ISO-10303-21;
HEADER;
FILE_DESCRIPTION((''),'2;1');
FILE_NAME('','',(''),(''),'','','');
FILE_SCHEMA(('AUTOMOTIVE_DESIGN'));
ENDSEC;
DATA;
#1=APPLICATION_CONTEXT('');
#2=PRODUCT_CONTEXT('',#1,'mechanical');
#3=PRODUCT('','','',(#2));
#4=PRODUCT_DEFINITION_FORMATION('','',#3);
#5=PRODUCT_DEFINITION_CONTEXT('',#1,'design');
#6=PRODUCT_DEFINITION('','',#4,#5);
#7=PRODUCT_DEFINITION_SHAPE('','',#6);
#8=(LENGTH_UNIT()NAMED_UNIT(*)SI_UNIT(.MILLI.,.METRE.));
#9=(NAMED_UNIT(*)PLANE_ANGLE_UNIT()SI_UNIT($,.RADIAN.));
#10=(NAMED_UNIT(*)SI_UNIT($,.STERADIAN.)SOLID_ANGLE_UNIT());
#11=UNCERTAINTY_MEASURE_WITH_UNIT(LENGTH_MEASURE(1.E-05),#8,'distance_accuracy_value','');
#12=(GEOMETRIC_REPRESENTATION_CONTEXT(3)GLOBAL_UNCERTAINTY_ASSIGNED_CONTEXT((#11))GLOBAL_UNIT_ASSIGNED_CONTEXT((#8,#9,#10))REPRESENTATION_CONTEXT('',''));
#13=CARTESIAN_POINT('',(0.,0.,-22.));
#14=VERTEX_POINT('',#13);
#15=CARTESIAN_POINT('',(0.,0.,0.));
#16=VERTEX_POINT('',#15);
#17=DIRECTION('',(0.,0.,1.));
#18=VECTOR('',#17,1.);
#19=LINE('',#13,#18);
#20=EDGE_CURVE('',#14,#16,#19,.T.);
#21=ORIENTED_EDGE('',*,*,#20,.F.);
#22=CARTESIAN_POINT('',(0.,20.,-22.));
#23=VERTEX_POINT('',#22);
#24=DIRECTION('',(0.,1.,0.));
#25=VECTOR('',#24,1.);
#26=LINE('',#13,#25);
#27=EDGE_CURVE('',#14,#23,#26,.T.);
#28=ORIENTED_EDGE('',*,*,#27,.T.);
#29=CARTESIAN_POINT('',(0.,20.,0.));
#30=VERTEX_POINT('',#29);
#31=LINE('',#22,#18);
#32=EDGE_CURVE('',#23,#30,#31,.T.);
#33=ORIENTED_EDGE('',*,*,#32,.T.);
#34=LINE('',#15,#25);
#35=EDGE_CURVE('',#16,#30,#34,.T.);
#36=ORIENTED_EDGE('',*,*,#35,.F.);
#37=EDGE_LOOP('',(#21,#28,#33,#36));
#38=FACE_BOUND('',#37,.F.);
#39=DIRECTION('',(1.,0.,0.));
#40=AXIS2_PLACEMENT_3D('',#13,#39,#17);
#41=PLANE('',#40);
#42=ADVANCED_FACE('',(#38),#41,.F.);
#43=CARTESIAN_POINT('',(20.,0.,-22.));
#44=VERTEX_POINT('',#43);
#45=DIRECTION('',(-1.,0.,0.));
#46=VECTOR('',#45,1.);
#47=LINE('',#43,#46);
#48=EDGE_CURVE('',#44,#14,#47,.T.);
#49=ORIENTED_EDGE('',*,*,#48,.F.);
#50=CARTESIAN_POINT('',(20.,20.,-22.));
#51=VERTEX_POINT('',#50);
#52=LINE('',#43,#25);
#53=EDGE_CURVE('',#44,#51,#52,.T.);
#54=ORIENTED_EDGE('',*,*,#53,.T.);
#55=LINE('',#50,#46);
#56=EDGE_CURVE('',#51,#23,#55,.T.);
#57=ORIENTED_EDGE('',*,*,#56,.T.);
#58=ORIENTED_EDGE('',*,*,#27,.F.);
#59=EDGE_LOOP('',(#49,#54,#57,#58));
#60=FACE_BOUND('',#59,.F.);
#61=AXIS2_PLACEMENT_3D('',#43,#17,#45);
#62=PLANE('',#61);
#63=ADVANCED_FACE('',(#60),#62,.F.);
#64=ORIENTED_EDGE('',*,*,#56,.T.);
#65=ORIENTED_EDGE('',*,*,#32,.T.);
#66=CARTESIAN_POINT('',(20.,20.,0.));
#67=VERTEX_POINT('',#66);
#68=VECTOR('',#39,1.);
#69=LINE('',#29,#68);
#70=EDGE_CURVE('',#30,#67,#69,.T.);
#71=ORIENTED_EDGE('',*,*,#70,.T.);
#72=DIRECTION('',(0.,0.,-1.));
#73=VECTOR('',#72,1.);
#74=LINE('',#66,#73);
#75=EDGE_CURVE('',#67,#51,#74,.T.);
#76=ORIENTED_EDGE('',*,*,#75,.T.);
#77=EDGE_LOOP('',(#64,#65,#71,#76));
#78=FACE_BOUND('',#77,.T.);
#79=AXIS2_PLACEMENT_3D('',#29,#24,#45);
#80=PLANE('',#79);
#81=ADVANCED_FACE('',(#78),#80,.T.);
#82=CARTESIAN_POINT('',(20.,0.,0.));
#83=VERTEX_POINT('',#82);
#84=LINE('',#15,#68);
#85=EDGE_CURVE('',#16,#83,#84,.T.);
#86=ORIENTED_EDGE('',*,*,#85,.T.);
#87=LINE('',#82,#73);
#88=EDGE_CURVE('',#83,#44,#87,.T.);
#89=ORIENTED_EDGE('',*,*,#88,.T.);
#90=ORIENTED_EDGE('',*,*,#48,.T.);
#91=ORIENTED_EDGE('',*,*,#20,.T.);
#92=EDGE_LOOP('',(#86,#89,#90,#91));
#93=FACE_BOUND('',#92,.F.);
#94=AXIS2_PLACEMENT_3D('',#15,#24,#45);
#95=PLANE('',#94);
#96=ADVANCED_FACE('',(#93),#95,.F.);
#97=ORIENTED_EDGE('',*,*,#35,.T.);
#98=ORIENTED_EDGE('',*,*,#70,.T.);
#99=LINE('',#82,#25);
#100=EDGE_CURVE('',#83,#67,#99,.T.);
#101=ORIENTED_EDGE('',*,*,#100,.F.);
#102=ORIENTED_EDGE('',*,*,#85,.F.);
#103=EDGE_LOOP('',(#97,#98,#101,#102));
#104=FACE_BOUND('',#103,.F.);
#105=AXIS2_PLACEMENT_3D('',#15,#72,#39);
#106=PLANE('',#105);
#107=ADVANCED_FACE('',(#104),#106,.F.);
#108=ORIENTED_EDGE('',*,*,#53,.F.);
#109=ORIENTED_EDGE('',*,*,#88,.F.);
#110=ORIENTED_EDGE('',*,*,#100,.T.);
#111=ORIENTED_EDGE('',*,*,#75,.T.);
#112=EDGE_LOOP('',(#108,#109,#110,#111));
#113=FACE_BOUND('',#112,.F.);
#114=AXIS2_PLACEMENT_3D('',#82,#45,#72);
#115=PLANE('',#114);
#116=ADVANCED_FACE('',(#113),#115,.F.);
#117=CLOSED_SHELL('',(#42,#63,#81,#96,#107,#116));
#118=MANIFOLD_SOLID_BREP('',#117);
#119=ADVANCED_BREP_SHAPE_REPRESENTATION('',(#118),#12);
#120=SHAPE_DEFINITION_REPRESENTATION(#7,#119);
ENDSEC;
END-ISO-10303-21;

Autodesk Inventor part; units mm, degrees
ref_plane "YZ Plane" through (0, 0, 0) normal (1, 0, 0) x (0, 1, 0)
ref_plane "XZ Plane" through (0, 0, 0) normal (0, 1, 0) x (-1, 0, 0)
ref_plane "XY Plane" through (0, 0, 0) normal (0, 0, 1) x (1, 0, 0)
sketch "Sketch1" plane through (0, 0, 0) normal (0, 1, 0) x (-1, 0, 0)
  line L0 (0, 0) -> (-20, 0)
  line L1 (-20, 0) -> (-20, -22)
  line L2 (-20, -22) -> (0, -22)
  line L3 (0, -22) -> (0, 0)
  dimension "d0" = 20
  dimension "d1" = 22
extrude "Extrusion1" add sketch "Sketch1" along normal blind 20
properties part number "power supply"
